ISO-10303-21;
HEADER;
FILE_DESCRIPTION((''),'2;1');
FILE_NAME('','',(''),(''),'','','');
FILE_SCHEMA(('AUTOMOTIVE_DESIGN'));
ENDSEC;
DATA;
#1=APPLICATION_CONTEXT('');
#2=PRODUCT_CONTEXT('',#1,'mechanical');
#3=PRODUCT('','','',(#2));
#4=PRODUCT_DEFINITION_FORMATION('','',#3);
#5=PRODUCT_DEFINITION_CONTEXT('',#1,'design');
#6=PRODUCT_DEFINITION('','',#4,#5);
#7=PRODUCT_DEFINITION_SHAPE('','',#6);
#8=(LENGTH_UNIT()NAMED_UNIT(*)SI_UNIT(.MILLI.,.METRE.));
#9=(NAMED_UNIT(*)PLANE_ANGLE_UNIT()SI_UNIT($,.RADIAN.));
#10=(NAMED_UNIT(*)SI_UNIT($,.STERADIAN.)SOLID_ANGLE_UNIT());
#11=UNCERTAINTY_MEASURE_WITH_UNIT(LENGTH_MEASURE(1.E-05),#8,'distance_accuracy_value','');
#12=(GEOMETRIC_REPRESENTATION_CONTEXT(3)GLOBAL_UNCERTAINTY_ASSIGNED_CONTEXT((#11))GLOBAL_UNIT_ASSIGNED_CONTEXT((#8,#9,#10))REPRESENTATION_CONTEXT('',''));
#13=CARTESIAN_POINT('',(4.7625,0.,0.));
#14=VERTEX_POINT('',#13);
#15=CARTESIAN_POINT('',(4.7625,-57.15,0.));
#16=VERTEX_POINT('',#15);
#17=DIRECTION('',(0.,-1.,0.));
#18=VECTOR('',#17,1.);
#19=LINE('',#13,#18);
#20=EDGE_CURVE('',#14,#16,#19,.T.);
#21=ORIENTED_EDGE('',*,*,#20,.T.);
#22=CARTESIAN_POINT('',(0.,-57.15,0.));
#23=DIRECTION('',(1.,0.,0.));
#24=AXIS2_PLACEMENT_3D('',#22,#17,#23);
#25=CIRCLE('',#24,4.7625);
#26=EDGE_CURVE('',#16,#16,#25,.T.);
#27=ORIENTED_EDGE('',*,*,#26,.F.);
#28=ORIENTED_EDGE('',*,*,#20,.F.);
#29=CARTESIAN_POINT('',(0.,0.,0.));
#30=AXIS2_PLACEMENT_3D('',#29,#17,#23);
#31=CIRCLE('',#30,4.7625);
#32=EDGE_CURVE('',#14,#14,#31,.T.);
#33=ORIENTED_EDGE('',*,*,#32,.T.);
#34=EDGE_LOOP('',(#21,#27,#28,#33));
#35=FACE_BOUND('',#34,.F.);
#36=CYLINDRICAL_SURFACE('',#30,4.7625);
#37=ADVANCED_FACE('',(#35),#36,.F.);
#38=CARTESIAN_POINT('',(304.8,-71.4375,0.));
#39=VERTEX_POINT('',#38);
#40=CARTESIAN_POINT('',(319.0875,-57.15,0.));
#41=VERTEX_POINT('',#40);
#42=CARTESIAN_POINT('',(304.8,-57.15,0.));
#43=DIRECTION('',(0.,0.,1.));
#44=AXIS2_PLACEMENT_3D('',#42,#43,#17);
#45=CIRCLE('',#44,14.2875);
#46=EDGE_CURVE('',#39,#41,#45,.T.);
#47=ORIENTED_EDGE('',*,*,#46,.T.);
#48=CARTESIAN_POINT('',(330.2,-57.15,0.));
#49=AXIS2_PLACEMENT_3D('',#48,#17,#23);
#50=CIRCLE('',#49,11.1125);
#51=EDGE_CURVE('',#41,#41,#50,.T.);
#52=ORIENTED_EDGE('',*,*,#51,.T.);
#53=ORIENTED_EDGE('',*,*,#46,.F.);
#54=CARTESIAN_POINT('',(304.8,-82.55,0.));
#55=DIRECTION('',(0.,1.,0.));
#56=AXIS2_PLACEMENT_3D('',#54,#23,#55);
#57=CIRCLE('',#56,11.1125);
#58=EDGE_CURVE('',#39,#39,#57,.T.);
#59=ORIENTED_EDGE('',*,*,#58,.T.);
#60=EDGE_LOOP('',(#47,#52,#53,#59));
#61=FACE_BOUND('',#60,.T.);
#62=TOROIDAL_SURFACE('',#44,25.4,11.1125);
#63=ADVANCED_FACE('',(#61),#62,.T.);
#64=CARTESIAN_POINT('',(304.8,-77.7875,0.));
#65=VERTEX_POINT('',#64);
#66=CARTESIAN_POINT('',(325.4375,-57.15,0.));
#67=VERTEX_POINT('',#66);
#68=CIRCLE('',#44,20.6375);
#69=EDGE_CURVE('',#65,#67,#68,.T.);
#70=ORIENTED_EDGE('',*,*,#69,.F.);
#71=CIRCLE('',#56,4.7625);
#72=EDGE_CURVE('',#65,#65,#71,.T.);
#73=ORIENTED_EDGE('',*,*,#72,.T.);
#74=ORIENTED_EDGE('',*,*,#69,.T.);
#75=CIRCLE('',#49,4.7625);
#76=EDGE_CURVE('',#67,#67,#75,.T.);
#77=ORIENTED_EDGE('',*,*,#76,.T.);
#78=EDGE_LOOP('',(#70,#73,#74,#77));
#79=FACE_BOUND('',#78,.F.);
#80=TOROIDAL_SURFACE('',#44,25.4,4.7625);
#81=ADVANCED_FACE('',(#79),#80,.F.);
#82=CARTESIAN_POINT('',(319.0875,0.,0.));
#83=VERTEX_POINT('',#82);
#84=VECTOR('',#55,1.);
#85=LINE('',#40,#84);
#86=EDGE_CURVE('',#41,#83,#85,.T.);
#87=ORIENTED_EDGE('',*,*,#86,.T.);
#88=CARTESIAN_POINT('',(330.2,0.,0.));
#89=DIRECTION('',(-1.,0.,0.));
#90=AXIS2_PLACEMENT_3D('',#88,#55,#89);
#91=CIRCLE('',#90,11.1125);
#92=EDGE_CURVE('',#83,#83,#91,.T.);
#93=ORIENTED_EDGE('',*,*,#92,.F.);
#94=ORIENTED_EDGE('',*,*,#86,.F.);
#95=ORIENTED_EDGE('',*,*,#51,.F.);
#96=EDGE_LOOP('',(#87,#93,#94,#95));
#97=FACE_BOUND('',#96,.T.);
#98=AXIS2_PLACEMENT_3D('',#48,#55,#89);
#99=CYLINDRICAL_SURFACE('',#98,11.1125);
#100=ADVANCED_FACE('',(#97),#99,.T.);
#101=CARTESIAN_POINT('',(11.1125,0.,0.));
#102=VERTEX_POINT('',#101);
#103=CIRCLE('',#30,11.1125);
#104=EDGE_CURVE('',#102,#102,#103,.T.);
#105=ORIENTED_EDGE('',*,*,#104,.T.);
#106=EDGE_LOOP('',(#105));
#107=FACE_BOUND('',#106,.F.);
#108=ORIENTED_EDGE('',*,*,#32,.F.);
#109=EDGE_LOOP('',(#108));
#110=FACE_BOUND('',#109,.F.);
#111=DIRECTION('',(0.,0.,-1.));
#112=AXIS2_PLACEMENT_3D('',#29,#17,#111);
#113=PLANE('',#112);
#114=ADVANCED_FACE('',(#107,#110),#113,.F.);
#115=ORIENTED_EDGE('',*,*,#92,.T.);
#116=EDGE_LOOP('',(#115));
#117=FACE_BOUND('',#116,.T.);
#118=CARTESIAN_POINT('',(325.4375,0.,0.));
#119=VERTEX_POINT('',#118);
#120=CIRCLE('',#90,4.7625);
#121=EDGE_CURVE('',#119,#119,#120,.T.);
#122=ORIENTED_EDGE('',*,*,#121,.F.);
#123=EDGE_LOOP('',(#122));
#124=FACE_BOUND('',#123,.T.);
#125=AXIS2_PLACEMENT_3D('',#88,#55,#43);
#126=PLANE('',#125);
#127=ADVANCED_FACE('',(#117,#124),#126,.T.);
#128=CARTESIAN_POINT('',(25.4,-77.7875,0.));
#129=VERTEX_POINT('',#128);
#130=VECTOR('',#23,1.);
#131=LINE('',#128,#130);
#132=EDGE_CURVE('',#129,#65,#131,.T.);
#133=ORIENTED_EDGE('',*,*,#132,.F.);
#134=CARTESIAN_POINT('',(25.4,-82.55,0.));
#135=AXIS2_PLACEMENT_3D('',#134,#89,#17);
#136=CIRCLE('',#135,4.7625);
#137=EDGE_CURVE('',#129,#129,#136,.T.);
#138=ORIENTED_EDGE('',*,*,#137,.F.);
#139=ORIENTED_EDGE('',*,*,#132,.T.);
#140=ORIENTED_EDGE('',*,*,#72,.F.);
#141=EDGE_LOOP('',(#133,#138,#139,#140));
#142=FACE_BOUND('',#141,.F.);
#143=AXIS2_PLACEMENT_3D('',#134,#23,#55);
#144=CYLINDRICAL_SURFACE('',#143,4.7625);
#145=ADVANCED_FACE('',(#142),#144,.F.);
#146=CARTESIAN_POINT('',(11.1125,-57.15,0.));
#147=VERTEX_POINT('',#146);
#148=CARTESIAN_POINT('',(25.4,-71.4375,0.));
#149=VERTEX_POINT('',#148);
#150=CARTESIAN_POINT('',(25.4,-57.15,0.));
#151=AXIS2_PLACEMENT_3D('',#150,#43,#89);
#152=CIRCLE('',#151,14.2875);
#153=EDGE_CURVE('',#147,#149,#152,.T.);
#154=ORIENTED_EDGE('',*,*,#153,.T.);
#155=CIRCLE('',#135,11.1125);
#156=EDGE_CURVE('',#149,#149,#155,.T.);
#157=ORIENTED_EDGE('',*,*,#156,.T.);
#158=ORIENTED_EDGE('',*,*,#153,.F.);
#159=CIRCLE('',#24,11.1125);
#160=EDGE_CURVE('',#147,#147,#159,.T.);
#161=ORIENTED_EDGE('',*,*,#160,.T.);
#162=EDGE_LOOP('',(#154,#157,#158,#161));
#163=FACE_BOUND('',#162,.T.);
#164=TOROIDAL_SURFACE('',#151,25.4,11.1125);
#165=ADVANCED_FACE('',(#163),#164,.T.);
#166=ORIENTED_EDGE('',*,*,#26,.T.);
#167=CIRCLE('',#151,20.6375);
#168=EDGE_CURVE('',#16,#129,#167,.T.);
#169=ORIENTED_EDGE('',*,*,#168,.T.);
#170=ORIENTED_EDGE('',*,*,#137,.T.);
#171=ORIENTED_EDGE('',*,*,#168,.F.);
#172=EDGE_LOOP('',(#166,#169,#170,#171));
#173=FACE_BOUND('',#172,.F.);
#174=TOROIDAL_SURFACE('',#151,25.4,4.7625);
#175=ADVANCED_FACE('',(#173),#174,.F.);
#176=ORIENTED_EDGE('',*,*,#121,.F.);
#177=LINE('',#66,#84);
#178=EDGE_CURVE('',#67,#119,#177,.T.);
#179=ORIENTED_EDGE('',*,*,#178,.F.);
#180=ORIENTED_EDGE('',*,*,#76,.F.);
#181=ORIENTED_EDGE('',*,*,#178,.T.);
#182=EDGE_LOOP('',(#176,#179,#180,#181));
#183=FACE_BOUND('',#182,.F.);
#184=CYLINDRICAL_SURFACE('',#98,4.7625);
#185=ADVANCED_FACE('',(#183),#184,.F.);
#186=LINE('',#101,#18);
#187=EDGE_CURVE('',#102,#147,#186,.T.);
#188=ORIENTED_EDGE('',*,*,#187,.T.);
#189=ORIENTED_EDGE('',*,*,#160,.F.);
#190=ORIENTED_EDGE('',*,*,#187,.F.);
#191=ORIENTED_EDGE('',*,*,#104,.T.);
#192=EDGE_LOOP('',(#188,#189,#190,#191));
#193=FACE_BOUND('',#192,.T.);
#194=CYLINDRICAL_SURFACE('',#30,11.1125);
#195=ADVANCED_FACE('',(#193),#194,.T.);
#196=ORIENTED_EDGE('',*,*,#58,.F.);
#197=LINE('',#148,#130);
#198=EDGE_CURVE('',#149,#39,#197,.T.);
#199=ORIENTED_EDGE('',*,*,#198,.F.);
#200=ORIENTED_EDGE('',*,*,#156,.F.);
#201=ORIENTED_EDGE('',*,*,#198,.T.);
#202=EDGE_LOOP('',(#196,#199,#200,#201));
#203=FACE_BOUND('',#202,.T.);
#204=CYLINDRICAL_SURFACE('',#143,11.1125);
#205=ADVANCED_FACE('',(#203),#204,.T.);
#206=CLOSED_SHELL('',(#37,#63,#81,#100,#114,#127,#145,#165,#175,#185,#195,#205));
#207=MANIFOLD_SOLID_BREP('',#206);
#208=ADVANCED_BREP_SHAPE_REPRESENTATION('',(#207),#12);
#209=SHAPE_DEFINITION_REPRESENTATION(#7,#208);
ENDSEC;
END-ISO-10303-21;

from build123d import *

# Parameters (mm, degrees)
F1_R   = 11.1125
F1_R_2 = 4.7625


with BuildPart() as f2:
    # F2: sweep along a path in F0
    with BuildLine(Plane.XY) as f2_path:
        Line((0, 0), (0, -57.15))
        ThreePointArc((0, -57.15), (7.4394877579, -75.1105122421), (25.4, -82.55))
        Line((25.4, -82.55), (304.8, -82.55))
        ThreePointArc((304.8, -82.55), (322.7605122421, -75.1105122421), (330.2, -57.15))
        Line((330.2, -57.15), (330.2, 0))
    # F1 (on Front) → F2 (sweep)
    with BuildSketch(Plane.XZ):
        Circle(F1_R)
        Circle(F1_R_2, mode=Mode.SUBTRACT)
    sweep(path=f2_path.line)


solid = f2.part
